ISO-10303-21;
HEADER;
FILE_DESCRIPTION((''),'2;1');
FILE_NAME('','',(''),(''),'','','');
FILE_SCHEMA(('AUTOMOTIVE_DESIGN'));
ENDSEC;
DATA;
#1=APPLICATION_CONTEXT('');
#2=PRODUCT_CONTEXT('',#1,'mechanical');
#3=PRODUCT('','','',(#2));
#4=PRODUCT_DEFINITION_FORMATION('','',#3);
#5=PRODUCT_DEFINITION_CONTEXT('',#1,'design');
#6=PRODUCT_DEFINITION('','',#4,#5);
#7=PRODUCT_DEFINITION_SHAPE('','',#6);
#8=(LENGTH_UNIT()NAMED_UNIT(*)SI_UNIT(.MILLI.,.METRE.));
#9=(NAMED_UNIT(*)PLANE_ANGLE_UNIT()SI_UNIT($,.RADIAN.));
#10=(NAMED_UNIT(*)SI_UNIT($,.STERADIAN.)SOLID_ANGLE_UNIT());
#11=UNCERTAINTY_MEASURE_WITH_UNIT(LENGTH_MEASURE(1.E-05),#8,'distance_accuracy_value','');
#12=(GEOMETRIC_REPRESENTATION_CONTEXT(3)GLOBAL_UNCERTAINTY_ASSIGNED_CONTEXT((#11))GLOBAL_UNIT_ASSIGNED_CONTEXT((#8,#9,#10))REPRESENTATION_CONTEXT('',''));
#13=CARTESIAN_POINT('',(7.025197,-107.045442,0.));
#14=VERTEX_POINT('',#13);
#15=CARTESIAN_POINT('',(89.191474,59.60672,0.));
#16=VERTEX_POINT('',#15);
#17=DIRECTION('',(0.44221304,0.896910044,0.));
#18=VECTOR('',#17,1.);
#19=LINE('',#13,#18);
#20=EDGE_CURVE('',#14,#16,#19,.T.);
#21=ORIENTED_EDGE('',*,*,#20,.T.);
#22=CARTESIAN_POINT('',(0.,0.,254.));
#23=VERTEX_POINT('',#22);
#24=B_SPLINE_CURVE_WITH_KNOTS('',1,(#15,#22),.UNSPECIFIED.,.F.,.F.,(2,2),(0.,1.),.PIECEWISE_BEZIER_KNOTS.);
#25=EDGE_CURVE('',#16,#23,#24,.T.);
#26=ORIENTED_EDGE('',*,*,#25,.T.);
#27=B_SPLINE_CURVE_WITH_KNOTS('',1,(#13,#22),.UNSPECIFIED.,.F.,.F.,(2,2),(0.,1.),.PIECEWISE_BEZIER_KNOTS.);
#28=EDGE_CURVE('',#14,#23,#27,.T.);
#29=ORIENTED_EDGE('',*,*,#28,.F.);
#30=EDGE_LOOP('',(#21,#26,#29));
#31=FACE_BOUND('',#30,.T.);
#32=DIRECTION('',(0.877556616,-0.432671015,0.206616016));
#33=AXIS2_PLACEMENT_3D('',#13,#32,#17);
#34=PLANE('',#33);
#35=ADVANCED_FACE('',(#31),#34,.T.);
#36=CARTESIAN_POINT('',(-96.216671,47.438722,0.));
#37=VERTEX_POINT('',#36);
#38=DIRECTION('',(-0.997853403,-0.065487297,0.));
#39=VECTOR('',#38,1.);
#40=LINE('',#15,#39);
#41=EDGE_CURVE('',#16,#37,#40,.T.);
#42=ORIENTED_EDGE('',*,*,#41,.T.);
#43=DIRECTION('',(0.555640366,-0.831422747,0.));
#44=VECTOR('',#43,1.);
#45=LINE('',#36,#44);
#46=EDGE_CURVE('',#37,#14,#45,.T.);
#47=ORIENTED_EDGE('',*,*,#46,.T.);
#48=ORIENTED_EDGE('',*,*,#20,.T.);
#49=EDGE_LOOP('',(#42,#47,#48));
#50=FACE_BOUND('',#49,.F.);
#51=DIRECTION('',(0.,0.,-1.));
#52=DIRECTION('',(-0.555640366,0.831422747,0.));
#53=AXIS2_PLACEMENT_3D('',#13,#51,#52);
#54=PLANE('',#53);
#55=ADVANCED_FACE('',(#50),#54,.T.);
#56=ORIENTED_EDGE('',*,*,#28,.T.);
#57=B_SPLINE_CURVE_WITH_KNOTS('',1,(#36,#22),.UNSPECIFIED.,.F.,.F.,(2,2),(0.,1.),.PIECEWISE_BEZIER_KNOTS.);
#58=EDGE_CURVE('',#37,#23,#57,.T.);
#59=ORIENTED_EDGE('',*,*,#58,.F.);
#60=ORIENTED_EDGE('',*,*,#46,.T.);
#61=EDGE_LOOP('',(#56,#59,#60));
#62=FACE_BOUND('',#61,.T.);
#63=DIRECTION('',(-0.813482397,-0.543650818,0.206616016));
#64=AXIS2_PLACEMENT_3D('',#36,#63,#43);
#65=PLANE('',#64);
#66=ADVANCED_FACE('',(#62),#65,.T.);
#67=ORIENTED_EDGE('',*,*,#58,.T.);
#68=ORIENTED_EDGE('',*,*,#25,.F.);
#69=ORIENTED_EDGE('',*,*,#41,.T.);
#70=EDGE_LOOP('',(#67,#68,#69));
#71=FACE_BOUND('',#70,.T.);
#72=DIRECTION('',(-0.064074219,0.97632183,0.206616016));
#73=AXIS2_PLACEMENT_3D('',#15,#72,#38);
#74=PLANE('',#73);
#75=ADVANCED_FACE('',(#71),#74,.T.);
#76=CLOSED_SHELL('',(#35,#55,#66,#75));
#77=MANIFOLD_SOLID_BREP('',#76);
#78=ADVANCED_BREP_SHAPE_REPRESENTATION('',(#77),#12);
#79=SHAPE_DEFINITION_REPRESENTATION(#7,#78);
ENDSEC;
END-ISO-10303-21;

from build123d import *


with BuildPart() as f3:
    # F0 (on Top) → F3 section 0
    with BuildSketch(Plane.XY, mode=Mode.PRIVATE) as f3_s0:
        Polygon((7.025197, -107.045442), (89.191474, 59.60672), (-96.216671, 47.438722), align=None)
    loft([f3_s0.sketch, Vertex(0, 0, 254)])


solid = f3.part
